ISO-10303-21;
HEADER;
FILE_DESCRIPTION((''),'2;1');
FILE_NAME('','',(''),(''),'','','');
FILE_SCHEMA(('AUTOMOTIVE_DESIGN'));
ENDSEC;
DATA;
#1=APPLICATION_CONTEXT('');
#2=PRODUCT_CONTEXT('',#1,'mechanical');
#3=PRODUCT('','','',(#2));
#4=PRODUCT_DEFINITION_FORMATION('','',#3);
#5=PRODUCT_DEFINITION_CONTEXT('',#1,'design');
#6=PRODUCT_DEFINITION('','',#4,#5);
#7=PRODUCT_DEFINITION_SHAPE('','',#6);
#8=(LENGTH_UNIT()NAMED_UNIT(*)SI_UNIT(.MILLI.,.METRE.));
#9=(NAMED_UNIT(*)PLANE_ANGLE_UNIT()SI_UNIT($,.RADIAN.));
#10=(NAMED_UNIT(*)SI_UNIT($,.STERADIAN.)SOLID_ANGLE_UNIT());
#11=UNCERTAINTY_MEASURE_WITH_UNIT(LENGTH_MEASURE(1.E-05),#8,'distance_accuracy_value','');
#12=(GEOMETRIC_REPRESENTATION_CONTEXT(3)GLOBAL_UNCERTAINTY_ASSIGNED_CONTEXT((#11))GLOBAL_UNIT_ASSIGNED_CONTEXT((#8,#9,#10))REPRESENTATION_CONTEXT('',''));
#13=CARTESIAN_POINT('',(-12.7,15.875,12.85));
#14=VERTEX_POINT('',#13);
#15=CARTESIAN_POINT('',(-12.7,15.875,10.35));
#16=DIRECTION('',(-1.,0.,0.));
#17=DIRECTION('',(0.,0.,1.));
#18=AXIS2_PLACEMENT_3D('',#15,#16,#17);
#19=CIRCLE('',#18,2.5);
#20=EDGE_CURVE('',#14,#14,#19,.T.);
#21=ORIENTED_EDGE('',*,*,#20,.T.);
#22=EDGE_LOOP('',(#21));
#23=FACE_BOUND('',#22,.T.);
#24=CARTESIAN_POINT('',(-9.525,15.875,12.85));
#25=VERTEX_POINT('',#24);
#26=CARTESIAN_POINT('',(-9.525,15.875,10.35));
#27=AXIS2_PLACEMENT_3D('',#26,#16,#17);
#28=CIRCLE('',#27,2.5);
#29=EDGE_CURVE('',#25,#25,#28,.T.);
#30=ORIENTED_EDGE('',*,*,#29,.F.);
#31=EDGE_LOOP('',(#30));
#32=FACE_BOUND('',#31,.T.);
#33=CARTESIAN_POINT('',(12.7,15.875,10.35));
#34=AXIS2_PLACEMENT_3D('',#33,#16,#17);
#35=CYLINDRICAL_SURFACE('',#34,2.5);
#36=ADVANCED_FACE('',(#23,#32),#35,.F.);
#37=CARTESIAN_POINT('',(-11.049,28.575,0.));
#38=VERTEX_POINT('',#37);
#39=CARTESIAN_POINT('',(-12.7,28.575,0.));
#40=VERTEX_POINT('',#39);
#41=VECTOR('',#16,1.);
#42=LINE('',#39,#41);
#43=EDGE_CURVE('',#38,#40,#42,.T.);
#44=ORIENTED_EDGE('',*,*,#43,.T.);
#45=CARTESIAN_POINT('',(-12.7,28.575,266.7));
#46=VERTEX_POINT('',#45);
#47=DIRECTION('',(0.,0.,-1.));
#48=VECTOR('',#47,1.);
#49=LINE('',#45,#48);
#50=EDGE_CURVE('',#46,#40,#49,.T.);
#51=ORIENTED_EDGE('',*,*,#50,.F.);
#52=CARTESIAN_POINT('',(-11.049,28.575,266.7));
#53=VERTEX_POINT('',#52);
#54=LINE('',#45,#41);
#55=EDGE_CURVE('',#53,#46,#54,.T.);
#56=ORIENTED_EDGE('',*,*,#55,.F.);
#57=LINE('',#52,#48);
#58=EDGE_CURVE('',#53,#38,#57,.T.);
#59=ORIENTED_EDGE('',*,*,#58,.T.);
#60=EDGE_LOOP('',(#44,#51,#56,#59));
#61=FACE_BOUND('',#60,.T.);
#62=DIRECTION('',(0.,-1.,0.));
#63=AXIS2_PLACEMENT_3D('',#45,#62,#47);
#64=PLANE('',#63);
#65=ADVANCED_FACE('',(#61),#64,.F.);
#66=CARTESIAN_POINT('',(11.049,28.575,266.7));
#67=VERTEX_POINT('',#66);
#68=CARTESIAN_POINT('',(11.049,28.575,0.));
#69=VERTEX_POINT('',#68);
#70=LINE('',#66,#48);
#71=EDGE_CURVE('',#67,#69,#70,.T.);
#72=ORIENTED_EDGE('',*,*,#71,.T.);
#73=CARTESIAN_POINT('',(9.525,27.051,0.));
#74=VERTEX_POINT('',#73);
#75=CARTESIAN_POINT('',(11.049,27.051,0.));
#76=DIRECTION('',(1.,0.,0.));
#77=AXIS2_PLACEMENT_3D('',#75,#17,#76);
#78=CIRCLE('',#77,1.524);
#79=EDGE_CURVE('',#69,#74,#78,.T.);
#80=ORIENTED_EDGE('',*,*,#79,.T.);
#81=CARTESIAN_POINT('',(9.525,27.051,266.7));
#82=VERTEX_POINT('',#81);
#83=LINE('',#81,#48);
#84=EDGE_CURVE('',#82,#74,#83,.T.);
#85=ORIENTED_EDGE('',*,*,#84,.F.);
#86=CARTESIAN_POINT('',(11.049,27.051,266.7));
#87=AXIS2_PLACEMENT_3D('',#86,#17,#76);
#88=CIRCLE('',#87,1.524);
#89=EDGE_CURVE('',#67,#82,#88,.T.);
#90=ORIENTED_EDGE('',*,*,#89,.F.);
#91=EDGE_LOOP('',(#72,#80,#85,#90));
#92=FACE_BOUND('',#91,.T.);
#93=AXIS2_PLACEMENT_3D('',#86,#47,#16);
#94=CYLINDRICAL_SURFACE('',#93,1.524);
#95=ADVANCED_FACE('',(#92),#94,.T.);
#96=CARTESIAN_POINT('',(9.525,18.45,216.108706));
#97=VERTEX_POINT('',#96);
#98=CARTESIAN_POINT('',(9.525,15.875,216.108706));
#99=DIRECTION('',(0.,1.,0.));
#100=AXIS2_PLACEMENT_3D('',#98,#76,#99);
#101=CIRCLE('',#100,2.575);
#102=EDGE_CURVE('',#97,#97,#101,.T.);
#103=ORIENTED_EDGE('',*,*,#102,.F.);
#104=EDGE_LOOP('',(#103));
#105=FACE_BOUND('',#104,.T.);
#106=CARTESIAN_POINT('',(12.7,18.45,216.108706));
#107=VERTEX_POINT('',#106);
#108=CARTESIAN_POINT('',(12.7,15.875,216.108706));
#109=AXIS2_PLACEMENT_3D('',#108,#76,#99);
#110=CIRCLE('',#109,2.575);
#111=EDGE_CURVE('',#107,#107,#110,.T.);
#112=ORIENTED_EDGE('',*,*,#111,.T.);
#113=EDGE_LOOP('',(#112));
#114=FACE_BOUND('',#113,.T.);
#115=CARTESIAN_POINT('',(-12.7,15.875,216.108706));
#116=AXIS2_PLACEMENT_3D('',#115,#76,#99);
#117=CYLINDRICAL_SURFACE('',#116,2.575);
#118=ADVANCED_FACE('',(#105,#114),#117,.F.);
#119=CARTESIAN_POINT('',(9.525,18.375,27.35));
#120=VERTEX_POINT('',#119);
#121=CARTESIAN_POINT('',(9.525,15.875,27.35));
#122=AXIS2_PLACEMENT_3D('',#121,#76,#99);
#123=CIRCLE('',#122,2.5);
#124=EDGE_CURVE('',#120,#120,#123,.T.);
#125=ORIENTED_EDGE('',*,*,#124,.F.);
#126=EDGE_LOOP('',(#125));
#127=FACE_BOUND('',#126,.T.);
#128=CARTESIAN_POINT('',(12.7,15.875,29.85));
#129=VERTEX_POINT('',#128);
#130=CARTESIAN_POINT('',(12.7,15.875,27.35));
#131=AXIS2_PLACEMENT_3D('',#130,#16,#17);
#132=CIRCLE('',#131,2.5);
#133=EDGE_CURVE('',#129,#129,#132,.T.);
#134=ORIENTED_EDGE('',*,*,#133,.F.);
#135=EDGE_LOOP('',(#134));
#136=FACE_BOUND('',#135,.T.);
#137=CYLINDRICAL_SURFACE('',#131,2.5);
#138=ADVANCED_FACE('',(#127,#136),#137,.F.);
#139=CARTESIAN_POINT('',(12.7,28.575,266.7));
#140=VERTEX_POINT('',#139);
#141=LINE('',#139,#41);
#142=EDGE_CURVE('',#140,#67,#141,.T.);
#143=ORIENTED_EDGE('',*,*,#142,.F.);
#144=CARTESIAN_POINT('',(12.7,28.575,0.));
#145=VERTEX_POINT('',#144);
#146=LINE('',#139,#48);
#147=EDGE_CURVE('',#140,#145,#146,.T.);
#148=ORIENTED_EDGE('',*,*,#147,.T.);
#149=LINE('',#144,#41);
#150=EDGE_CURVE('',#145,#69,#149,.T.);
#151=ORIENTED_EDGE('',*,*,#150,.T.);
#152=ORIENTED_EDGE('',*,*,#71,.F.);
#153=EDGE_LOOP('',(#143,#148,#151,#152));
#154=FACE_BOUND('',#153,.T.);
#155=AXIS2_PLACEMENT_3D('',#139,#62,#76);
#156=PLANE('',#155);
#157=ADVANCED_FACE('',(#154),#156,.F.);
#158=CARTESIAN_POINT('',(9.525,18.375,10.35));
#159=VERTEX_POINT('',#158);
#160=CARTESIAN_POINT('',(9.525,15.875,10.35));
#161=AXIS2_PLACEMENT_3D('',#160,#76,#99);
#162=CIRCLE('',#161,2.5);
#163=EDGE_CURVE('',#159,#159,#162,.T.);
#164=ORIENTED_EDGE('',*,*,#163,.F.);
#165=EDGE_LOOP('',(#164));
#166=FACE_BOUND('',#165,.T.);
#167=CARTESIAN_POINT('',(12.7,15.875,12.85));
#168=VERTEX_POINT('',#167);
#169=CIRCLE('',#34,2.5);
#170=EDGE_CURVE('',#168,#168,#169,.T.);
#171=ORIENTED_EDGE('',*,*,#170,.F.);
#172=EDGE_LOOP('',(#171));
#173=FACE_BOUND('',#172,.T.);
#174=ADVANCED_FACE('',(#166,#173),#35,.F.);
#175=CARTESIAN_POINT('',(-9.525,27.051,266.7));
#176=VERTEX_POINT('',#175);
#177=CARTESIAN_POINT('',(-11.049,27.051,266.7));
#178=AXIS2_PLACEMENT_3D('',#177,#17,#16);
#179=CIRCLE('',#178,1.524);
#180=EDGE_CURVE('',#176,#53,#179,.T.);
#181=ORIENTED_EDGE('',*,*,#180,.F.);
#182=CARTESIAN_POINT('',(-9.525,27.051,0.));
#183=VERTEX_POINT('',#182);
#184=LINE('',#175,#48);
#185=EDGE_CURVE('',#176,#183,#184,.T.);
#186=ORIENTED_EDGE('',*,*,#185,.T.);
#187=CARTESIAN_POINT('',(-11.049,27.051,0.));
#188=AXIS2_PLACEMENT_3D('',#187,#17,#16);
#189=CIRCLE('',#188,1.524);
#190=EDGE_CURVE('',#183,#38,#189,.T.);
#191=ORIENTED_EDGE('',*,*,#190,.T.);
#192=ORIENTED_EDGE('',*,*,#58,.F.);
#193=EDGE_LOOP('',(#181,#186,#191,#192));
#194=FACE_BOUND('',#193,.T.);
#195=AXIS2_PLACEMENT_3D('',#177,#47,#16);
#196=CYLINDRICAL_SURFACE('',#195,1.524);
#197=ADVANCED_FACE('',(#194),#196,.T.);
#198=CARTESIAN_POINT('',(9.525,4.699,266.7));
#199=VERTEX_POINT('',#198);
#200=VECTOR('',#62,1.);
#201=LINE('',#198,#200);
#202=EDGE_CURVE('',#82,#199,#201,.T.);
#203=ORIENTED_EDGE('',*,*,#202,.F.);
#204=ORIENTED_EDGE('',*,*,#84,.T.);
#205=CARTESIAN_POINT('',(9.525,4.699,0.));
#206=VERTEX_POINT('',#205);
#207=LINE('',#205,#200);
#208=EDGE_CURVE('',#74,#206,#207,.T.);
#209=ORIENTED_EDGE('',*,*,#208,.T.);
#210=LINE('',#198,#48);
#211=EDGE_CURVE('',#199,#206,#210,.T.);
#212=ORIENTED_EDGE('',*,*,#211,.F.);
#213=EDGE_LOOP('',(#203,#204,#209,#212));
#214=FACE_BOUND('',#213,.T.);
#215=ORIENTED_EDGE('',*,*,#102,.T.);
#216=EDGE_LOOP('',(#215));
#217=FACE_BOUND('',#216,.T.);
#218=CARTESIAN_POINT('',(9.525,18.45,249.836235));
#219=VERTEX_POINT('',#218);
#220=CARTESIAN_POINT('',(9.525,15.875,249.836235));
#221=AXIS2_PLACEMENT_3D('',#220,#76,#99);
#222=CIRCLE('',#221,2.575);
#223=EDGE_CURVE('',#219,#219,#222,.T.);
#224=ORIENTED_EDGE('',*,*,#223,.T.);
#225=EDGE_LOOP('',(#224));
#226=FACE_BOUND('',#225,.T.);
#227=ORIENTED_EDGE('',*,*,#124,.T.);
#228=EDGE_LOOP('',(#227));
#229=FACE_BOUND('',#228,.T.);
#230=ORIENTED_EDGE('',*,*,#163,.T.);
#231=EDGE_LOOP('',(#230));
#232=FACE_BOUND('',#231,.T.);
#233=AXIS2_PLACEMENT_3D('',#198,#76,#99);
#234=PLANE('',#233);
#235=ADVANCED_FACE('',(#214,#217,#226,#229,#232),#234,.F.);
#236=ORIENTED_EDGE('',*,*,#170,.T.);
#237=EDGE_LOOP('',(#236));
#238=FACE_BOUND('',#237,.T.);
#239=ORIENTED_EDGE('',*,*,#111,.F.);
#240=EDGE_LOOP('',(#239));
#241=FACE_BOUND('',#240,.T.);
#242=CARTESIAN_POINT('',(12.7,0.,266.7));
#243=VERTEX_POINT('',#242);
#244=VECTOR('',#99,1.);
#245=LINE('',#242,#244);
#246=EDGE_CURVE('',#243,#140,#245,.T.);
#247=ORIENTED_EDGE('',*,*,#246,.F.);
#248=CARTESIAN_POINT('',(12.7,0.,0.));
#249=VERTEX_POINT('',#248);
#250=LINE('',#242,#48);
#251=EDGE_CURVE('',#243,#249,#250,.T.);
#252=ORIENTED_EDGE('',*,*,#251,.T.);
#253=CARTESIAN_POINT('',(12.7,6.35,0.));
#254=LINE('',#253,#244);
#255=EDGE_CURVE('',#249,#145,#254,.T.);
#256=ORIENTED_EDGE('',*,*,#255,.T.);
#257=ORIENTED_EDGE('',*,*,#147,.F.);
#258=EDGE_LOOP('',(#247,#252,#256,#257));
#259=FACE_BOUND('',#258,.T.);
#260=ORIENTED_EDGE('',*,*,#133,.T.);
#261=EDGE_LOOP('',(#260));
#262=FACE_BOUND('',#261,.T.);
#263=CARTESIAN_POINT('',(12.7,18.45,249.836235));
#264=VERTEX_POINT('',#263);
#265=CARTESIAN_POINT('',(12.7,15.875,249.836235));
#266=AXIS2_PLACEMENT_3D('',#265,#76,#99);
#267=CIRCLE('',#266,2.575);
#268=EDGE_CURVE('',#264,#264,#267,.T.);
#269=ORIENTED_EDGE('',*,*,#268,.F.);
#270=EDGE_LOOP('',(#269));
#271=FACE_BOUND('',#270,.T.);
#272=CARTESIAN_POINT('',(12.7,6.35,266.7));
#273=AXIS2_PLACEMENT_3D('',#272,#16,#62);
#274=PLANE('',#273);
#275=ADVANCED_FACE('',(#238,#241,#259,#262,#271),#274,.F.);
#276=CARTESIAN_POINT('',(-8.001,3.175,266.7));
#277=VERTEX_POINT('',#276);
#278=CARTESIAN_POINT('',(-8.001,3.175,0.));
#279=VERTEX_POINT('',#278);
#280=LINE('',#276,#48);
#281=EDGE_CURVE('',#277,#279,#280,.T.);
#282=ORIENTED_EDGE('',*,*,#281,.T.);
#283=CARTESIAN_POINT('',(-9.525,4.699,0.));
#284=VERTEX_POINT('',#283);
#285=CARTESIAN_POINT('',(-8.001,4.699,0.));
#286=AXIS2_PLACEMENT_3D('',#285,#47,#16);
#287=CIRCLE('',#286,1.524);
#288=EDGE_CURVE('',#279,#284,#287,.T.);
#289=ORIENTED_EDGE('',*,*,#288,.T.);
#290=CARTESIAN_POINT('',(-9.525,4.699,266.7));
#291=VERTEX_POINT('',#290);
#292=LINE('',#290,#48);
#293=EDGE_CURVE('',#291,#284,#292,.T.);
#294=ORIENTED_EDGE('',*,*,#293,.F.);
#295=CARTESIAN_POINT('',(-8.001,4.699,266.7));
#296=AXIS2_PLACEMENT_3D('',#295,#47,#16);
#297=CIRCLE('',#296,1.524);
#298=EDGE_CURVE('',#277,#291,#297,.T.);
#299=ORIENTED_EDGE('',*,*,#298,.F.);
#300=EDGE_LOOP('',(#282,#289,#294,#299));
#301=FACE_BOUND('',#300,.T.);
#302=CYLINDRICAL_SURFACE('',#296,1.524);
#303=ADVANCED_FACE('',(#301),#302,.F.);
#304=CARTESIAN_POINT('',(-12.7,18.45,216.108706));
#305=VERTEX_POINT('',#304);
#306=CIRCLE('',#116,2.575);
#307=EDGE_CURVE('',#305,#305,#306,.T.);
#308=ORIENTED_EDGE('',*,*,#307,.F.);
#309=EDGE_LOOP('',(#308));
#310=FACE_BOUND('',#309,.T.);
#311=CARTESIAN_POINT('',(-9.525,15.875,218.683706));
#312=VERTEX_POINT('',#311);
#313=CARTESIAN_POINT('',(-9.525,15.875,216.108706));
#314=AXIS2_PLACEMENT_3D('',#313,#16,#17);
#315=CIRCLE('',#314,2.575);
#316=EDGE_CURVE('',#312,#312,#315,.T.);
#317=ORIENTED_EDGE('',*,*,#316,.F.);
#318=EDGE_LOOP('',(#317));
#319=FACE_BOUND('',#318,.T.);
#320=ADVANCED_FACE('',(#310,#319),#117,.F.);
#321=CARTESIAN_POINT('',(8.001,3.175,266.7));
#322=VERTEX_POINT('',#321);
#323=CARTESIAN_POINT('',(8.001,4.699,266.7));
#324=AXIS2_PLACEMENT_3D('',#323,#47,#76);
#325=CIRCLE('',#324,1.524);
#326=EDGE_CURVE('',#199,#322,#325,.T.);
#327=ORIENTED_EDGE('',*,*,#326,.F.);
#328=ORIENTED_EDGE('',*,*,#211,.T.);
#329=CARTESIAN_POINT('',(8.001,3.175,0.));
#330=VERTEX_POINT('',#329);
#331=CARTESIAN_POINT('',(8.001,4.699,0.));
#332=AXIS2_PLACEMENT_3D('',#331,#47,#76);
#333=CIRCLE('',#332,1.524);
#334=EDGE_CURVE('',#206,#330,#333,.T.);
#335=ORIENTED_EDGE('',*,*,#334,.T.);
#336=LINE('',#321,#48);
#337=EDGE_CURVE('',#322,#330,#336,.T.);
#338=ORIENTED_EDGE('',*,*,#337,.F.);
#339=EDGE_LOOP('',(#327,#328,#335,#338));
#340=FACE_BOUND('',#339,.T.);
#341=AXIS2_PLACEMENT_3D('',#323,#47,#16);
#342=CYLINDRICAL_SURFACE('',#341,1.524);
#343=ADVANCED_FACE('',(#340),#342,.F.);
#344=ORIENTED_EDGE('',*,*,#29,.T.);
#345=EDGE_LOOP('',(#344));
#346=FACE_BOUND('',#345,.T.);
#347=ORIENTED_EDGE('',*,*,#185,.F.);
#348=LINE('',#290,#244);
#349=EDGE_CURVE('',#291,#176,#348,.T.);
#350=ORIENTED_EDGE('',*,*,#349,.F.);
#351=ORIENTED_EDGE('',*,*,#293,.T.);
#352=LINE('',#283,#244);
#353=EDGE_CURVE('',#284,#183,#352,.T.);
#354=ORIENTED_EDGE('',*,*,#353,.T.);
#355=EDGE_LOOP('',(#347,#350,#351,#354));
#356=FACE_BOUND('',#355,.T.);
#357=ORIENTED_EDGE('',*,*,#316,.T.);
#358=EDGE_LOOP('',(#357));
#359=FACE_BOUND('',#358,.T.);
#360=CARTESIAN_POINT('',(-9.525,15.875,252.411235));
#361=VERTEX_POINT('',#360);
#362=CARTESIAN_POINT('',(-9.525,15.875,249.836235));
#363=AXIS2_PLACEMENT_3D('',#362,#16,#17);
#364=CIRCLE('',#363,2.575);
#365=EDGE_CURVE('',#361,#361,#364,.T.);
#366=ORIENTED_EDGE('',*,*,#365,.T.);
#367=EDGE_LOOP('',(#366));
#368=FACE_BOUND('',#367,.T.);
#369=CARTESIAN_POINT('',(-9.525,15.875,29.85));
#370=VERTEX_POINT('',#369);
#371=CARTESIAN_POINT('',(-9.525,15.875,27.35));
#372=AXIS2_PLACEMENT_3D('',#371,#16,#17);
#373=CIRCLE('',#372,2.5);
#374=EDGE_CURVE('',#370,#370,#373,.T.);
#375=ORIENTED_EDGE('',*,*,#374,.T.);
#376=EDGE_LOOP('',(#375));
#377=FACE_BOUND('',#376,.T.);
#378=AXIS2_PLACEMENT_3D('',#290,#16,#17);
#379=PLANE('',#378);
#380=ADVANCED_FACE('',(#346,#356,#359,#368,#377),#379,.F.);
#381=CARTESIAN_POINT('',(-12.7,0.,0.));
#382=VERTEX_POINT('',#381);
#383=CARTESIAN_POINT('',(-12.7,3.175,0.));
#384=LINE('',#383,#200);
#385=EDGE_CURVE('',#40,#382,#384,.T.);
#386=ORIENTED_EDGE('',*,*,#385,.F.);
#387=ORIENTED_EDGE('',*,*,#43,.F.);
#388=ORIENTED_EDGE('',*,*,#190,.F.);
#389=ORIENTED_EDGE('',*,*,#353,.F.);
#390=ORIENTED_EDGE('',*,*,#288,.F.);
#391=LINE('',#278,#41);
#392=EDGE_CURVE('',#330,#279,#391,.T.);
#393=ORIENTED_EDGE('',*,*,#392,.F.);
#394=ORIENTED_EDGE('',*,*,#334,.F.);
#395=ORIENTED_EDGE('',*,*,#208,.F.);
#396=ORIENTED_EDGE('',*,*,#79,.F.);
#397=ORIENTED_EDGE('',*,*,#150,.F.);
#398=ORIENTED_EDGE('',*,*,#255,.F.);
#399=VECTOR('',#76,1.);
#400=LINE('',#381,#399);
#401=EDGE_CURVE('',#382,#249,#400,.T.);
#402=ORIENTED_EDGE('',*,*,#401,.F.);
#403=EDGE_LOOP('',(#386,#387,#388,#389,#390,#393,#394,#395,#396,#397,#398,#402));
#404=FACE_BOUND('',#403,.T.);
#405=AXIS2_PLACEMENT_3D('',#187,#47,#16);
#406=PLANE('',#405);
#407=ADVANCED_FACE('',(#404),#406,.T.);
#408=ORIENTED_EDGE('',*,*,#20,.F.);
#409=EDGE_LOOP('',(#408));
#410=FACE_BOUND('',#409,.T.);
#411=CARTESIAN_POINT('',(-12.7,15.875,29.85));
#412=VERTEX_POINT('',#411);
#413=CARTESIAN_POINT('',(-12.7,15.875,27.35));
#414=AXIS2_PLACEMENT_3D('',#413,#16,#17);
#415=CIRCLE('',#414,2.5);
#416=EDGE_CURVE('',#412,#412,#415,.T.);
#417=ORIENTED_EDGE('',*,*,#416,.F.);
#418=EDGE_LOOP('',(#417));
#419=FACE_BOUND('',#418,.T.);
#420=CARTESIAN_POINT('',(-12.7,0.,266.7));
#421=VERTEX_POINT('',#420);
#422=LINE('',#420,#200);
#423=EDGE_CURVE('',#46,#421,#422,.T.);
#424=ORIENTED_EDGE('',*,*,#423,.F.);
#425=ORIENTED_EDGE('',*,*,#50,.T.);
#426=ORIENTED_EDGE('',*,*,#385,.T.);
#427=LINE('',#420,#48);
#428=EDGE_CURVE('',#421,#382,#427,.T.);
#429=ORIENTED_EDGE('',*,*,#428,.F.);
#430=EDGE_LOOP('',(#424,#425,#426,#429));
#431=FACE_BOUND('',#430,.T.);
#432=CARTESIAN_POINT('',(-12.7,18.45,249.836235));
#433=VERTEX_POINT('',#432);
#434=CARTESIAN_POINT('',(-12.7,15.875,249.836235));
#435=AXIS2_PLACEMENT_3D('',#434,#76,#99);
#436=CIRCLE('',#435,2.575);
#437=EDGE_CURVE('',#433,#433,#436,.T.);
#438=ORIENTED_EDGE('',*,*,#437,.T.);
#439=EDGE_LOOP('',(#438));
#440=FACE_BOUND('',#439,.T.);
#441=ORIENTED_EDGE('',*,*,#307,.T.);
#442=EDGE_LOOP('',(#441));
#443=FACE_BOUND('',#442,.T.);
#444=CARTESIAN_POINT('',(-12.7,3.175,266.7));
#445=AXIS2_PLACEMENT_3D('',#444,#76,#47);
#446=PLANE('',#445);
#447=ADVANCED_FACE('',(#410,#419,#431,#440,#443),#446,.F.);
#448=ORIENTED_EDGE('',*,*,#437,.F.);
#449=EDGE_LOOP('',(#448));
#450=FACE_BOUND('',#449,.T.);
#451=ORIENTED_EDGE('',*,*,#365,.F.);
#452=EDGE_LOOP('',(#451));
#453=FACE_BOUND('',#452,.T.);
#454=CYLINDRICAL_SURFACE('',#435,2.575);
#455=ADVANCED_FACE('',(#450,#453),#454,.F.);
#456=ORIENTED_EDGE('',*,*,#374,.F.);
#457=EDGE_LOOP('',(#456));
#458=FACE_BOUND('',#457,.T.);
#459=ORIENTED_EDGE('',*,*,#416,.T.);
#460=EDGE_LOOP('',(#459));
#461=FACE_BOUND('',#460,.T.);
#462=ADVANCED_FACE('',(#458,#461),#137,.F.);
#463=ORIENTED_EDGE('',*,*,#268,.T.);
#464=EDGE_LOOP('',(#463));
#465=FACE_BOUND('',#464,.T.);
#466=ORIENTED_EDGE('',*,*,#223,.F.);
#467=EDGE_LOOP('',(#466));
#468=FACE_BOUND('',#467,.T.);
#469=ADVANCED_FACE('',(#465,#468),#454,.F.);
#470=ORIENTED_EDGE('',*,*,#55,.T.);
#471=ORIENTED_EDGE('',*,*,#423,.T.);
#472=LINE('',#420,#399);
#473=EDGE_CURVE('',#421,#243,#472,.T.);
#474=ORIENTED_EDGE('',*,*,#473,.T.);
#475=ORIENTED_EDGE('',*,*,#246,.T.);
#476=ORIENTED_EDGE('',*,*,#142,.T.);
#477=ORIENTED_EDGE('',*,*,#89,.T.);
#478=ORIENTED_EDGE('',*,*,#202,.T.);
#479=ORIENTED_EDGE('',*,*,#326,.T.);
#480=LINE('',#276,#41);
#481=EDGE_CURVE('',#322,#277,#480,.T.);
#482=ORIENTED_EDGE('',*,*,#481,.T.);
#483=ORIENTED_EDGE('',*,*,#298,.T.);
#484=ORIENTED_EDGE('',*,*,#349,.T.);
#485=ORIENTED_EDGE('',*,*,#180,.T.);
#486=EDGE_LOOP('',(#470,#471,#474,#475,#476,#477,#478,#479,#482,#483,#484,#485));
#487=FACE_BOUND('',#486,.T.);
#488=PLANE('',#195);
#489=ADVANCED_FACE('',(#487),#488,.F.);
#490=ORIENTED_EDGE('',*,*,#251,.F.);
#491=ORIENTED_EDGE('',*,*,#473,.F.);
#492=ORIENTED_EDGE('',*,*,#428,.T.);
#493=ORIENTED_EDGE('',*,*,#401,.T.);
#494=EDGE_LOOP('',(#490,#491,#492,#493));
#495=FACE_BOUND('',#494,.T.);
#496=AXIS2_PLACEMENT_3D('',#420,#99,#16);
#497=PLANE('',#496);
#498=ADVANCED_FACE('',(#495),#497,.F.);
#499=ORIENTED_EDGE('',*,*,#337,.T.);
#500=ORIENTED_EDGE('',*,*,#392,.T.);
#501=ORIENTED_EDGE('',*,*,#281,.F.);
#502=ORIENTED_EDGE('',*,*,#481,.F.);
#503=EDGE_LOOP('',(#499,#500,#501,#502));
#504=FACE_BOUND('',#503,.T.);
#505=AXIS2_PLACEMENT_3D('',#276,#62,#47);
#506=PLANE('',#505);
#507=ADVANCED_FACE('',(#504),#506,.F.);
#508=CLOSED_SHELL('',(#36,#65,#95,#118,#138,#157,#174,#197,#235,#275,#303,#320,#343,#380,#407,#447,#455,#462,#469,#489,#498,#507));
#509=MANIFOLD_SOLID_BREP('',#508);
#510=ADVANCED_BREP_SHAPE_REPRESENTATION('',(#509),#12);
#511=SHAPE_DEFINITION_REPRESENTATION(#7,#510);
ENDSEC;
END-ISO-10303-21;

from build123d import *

# Parameters (mm, degrees)
BOSS_EXTRUDE1_DEPTH = 266.7
SKETCH7_R           = 2.575
CUT_EXTRUDE5_DEPTH  = 270.426391849
SKETCH8_R           = 2.5
CUT_EXTRUDE7_DEPTH  = 270.426391849


with BuildPart() as part:
    # Sketch1 → Boss-Extrude1 (new body)
    with BuildSketch(Plane.XY):
        with BuildLine():
            Line((-12.7, 0), (12.7, 0))
            Line((12.7, 0), (12.7, 6.35))
            Line((12.7, 6.35), (12.7, 28.575))
            Line((12.7, 28.575), (11.049, 28.575))
            ThreePointArc((11.049, 28.575), (9.971369265, 28.128630735), (9.525, 27.051))
            Line((9.525, 27.051), (9.525, 4.699))
            ThreePointArc((9.525, 4.699), (9.078630735, 3.621369265), (8.001, 3.175))
            Line((8.001, 3.175), (-8.001, 3.175))
            ThreePointArc((-8.001, 3.175), (-9.078630735, 3.621369265), (-9.525, 4.699))
            Line((-9.525, 4.699), (-9.525, 27.051))
            ThreePointArc((-9.525, 27.051), (-9.971369265, 28.128630735), (-11.049, 28.575))
            Line((-11.049, 28.575), (-12.7, 28.575))
            Line((-12.7, 28.575), (-12.7, 3.175))
            Line((-12.7, 3.175), (-12.7, 0))
        make_face()
    extrude(amount=BOSS_EXTRUDE1_DEPTH)

    # Sketch7 → Cut-Extrude5 (cut, through all)
    with BuildSketch(Plane(origin=(12.7, 0, 0), x_dir=(0, 0, -1), z_dir=(1, 0, 0))):
        with Locations(Location((-216.108705962, 15.875, 0), (0, 0, 90))):
            Circle(SKETCH7_R)
        with Locations(Location((-249.836235321, 15.875, 0), (0, 0, 90))):
            Circle(SKETCH7_R)
    extrude(amount=-CUT_EXTRUDE5_DEPTH, mode=Mode.SUBTRACT)

    # Sketch8 → Cut-Extrude7 (cut, through all)
    with BuildSketch(Plane.ZY.offset(12.7)):
        with Locations((10.35, 15.875)):
            Circle(SKETCH8_R)
        with Locations((27.35, 15.875)):
            Circle(SKETCH8_R)
    extrude(amount=-CUT_EXTRUDE7_DEPTH, mode=Mode.SUBTRACT)


solid = part.part
